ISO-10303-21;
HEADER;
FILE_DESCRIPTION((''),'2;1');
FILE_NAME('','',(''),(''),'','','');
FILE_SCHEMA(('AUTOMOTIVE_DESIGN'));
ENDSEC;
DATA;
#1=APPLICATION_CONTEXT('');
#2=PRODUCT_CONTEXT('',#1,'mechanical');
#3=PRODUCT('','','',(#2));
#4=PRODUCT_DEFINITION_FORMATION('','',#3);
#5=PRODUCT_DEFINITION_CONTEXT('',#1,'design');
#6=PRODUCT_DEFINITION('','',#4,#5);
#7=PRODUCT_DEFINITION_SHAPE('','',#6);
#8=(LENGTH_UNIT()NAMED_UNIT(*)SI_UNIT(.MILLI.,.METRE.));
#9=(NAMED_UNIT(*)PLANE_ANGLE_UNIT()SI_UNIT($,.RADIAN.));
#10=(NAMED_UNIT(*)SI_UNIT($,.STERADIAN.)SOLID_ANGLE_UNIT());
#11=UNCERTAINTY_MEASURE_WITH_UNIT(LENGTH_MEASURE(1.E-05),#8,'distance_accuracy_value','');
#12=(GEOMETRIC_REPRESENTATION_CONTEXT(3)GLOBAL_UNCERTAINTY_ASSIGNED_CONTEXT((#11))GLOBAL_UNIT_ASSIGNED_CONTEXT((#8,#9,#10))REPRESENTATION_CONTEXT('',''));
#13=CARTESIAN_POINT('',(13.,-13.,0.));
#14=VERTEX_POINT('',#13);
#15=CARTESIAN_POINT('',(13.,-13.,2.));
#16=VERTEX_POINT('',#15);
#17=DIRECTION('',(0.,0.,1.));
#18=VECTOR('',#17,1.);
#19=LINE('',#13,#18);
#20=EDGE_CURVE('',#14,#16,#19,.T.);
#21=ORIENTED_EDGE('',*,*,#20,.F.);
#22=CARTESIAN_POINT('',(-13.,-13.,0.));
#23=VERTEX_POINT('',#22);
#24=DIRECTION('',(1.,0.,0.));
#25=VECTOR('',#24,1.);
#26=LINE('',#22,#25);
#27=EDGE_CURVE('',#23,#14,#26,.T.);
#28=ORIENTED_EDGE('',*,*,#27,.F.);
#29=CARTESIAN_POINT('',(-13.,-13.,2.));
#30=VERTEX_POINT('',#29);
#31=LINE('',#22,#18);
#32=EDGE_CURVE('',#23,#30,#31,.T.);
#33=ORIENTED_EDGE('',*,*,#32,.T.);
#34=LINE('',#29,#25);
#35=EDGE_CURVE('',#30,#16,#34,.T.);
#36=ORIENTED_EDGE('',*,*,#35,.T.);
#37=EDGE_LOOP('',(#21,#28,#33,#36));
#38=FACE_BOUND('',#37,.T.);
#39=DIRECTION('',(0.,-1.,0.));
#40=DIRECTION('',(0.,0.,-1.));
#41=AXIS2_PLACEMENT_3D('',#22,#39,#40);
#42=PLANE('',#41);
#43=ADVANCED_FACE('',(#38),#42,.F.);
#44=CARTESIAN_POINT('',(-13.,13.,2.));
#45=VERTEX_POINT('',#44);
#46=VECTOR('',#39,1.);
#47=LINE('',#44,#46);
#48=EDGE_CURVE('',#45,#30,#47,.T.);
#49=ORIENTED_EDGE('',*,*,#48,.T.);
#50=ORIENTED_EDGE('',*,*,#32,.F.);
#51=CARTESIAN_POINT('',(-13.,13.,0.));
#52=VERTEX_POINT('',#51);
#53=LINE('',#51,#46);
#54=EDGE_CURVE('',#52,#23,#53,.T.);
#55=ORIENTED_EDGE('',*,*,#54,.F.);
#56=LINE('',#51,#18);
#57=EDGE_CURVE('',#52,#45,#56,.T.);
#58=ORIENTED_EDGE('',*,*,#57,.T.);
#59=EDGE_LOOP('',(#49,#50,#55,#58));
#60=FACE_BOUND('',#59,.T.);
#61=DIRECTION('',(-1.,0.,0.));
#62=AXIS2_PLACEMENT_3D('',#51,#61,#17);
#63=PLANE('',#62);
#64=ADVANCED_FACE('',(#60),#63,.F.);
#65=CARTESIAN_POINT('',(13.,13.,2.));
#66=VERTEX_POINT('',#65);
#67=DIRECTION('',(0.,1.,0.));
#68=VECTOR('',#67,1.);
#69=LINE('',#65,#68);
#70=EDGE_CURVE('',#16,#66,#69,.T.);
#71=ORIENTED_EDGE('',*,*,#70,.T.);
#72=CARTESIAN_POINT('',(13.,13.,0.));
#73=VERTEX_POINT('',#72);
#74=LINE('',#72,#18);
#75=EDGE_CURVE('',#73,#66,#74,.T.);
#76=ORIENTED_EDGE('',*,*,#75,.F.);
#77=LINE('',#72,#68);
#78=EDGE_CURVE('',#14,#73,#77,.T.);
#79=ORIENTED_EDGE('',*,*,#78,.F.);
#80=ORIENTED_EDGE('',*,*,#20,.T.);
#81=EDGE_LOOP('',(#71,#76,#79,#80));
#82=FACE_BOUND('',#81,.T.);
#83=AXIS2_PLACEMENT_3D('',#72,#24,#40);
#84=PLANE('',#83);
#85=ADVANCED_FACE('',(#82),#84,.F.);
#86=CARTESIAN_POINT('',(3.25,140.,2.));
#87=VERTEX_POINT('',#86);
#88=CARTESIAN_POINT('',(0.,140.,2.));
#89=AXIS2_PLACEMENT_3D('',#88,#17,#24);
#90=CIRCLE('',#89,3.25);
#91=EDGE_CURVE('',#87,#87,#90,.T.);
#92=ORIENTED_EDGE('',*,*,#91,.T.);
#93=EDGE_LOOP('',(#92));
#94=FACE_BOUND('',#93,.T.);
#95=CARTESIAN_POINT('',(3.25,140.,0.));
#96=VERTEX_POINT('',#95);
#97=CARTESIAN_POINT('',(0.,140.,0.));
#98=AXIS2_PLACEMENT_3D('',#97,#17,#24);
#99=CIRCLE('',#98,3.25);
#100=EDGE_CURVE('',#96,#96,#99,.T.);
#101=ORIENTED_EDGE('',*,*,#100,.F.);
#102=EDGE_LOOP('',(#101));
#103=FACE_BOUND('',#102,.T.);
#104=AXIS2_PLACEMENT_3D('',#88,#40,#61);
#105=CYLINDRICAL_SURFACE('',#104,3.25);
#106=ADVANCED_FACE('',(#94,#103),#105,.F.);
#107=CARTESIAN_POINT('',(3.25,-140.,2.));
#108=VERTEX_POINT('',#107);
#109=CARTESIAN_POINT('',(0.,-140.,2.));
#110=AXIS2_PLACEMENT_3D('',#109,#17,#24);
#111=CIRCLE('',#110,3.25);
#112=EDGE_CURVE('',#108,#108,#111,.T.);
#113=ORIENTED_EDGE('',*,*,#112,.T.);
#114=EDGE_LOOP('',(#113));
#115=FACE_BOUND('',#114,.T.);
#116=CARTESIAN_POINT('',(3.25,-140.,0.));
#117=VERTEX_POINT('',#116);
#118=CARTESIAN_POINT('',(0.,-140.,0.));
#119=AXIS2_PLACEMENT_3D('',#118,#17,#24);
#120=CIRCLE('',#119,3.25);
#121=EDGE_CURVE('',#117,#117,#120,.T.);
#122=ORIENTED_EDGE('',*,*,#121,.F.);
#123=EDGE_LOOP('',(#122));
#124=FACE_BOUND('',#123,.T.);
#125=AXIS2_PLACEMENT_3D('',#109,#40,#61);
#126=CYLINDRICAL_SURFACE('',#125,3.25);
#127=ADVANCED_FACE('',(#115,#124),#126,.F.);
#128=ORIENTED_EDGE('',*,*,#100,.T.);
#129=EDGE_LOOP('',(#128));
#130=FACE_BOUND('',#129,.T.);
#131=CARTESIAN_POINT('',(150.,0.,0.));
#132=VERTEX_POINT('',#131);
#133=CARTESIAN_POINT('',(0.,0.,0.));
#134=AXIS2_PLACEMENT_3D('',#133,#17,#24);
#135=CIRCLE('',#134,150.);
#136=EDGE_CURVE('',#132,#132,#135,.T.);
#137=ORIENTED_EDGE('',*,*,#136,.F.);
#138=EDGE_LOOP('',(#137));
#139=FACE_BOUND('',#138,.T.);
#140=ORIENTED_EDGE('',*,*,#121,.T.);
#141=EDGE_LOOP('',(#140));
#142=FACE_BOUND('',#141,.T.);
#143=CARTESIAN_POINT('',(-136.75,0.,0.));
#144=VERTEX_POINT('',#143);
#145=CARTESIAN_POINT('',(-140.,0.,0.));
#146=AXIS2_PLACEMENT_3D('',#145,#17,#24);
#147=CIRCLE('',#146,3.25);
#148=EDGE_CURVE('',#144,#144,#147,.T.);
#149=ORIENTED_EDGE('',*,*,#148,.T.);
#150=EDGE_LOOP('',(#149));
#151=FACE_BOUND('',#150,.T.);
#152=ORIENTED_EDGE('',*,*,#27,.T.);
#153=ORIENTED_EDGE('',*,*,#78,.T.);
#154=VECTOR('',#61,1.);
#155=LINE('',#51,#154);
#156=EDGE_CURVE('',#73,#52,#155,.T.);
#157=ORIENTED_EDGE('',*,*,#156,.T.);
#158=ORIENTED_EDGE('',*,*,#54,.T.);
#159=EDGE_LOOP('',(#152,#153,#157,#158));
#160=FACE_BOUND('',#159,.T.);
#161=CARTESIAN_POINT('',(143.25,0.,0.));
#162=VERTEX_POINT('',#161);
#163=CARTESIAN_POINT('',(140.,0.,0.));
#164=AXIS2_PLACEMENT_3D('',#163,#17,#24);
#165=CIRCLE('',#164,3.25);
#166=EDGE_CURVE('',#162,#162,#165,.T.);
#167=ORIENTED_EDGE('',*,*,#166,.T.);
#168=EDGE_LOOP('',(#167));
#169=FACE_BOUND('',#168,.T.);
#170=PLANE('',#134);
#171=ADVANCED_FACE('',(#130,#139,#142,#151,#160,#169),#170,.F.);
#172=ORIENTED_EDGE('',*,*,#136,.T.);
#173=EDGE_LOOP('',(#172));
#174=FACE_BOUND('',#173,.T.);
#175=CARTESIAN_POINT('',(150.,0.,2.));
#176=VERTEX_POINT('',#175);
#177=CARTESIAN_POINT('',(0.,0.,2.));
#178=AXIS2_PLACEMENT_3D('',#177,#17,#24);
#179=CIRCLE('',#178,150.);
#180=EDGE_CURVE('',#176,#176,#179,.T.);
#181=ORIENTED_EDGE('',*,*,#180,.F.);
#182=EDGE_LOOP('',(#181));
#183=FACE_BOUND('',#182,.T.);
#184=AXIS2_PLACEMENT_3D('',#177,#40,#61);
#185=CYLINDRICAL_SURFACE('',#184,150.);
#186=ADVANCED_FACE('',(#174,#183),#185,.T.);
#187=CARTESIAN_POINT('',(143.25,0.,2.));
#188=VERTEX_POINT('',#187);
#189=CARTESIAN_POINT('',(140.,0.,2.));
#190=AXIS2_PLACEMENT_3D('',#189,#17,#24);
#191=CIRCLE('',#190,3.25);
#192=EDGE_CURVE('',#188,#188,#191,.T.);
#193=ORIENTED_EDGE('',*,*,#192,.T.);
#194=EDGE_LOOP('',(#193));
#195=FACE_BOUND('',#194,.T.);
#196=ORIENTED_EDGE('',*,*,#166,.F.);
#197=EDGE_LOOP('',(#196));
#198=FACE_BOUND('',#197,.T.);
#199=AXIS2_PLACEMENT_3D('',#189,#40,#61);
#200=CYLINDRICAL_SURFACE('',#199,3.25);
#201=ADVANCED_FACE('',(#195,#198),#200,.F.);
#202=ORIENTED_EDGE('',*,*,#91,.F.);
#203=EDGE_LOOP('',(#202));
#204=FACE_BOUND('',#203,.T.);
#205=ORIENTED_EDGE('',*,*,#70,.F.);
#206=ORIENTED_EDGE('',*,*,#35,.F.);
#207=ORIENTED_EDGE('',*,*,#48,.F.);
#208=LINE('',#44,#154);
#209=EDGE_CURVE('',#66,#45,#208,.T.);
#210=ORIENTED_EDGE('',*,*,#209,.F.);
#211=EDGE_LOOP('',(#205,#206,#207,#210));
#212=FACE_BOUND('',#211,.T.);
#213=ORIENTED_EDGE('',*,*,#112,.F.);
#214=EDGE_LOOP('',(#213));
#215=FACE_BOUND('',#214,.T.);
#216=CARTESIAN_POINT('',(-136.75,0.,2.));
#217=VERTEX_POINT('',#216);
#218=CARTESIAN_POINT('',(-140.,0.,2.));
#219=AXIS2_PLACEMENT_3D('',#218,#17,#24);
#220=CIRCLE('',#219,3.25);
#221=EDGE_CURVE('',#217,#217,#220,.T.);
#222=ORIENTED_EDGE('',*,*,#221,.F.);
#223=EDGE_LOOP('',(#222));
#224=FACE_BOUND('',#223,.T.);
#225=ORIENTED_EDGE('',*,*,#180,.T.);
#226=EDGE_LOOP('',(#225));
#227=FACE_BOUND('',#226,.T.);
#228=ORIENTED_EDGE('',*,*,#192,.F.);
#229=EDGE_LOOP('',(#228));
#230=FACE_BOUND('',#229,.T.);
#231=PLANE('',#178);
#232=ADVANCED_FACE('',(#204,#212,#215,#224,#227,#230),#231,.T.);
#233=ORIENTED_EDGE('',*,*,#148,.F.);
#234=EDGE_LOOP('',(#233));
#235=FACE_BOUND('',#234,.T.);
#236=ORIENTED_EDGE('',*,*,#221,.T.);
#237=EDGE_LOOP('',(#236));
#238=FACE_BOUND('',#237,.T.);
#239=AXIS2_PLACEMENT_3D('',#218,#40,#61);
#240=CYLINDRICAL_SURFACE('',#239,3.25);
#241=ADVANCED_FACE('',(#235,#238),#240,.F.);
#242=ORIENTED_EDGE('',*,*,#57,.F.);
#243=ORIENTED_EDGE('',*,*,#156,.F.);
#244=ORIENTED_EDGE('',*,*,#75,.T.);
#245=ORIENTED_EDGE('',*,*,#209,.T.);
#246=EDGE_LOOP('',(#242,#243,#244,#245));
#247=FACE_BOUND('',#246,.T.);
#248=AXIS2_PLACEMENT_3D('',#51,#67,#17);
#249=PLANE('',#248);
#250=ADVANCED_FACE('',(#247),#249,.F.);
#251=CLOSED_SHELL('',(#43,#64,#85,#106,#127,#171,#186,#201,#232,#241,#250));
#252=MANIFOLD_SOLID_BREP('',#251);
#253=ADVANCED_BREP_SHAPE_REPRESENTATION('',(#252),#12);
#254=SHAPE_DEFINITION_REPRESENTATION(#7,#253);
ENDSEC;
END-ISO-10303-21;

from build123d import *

# Parameters (mm, degrees)
CROQUIS1_R              = 150
CROQUIS1_R_2            = 3.25
SALIENTE_EXTRUIR1_DEPTH = 2
CROQUIS2_W              = 26
CROQUIS2_H              = 26
CORTAR_EXTRUIR1_DEPTH   = 213.141462237


with BuildPart() as part:
    # Croquis1 → Saliente-Extruir1 (new body)
    with BuildSketch(Plane.XY):
        Circle(CROQUIS1_R)
        with Locations((140, 0)):
            Circle(CROQUIS1_R_2, mode=Mode.SUBTRACT)
        with Locations((0, -140)):
            Circle(CROQUIS1_R_2, mode=Mode.SUBTRACT)
        with Locations((-140, 0)):
            Circle(CROQUIS1_R_2, mode=Mode.SUBTRACT)
        with Locations((0, 140)):
            Circle(CROQUIS1_R_2, mode=Mode.SUBTRACT)
    extrude(amount=SALIENTE_EXTRUIR1_DEPTH)

    # Croquis2 → Cortar-Extruir1 (cut, through all)
    with BuildSketch(Plane.XY.offset(2)):
        Rectangle(CROQUIS2_W, CROQUIS2_H)
    extrude(amount=-CORTAR_EXTRUIR1_DEPTH, mode=Mode.SUBTRACT)


solid = part.part
